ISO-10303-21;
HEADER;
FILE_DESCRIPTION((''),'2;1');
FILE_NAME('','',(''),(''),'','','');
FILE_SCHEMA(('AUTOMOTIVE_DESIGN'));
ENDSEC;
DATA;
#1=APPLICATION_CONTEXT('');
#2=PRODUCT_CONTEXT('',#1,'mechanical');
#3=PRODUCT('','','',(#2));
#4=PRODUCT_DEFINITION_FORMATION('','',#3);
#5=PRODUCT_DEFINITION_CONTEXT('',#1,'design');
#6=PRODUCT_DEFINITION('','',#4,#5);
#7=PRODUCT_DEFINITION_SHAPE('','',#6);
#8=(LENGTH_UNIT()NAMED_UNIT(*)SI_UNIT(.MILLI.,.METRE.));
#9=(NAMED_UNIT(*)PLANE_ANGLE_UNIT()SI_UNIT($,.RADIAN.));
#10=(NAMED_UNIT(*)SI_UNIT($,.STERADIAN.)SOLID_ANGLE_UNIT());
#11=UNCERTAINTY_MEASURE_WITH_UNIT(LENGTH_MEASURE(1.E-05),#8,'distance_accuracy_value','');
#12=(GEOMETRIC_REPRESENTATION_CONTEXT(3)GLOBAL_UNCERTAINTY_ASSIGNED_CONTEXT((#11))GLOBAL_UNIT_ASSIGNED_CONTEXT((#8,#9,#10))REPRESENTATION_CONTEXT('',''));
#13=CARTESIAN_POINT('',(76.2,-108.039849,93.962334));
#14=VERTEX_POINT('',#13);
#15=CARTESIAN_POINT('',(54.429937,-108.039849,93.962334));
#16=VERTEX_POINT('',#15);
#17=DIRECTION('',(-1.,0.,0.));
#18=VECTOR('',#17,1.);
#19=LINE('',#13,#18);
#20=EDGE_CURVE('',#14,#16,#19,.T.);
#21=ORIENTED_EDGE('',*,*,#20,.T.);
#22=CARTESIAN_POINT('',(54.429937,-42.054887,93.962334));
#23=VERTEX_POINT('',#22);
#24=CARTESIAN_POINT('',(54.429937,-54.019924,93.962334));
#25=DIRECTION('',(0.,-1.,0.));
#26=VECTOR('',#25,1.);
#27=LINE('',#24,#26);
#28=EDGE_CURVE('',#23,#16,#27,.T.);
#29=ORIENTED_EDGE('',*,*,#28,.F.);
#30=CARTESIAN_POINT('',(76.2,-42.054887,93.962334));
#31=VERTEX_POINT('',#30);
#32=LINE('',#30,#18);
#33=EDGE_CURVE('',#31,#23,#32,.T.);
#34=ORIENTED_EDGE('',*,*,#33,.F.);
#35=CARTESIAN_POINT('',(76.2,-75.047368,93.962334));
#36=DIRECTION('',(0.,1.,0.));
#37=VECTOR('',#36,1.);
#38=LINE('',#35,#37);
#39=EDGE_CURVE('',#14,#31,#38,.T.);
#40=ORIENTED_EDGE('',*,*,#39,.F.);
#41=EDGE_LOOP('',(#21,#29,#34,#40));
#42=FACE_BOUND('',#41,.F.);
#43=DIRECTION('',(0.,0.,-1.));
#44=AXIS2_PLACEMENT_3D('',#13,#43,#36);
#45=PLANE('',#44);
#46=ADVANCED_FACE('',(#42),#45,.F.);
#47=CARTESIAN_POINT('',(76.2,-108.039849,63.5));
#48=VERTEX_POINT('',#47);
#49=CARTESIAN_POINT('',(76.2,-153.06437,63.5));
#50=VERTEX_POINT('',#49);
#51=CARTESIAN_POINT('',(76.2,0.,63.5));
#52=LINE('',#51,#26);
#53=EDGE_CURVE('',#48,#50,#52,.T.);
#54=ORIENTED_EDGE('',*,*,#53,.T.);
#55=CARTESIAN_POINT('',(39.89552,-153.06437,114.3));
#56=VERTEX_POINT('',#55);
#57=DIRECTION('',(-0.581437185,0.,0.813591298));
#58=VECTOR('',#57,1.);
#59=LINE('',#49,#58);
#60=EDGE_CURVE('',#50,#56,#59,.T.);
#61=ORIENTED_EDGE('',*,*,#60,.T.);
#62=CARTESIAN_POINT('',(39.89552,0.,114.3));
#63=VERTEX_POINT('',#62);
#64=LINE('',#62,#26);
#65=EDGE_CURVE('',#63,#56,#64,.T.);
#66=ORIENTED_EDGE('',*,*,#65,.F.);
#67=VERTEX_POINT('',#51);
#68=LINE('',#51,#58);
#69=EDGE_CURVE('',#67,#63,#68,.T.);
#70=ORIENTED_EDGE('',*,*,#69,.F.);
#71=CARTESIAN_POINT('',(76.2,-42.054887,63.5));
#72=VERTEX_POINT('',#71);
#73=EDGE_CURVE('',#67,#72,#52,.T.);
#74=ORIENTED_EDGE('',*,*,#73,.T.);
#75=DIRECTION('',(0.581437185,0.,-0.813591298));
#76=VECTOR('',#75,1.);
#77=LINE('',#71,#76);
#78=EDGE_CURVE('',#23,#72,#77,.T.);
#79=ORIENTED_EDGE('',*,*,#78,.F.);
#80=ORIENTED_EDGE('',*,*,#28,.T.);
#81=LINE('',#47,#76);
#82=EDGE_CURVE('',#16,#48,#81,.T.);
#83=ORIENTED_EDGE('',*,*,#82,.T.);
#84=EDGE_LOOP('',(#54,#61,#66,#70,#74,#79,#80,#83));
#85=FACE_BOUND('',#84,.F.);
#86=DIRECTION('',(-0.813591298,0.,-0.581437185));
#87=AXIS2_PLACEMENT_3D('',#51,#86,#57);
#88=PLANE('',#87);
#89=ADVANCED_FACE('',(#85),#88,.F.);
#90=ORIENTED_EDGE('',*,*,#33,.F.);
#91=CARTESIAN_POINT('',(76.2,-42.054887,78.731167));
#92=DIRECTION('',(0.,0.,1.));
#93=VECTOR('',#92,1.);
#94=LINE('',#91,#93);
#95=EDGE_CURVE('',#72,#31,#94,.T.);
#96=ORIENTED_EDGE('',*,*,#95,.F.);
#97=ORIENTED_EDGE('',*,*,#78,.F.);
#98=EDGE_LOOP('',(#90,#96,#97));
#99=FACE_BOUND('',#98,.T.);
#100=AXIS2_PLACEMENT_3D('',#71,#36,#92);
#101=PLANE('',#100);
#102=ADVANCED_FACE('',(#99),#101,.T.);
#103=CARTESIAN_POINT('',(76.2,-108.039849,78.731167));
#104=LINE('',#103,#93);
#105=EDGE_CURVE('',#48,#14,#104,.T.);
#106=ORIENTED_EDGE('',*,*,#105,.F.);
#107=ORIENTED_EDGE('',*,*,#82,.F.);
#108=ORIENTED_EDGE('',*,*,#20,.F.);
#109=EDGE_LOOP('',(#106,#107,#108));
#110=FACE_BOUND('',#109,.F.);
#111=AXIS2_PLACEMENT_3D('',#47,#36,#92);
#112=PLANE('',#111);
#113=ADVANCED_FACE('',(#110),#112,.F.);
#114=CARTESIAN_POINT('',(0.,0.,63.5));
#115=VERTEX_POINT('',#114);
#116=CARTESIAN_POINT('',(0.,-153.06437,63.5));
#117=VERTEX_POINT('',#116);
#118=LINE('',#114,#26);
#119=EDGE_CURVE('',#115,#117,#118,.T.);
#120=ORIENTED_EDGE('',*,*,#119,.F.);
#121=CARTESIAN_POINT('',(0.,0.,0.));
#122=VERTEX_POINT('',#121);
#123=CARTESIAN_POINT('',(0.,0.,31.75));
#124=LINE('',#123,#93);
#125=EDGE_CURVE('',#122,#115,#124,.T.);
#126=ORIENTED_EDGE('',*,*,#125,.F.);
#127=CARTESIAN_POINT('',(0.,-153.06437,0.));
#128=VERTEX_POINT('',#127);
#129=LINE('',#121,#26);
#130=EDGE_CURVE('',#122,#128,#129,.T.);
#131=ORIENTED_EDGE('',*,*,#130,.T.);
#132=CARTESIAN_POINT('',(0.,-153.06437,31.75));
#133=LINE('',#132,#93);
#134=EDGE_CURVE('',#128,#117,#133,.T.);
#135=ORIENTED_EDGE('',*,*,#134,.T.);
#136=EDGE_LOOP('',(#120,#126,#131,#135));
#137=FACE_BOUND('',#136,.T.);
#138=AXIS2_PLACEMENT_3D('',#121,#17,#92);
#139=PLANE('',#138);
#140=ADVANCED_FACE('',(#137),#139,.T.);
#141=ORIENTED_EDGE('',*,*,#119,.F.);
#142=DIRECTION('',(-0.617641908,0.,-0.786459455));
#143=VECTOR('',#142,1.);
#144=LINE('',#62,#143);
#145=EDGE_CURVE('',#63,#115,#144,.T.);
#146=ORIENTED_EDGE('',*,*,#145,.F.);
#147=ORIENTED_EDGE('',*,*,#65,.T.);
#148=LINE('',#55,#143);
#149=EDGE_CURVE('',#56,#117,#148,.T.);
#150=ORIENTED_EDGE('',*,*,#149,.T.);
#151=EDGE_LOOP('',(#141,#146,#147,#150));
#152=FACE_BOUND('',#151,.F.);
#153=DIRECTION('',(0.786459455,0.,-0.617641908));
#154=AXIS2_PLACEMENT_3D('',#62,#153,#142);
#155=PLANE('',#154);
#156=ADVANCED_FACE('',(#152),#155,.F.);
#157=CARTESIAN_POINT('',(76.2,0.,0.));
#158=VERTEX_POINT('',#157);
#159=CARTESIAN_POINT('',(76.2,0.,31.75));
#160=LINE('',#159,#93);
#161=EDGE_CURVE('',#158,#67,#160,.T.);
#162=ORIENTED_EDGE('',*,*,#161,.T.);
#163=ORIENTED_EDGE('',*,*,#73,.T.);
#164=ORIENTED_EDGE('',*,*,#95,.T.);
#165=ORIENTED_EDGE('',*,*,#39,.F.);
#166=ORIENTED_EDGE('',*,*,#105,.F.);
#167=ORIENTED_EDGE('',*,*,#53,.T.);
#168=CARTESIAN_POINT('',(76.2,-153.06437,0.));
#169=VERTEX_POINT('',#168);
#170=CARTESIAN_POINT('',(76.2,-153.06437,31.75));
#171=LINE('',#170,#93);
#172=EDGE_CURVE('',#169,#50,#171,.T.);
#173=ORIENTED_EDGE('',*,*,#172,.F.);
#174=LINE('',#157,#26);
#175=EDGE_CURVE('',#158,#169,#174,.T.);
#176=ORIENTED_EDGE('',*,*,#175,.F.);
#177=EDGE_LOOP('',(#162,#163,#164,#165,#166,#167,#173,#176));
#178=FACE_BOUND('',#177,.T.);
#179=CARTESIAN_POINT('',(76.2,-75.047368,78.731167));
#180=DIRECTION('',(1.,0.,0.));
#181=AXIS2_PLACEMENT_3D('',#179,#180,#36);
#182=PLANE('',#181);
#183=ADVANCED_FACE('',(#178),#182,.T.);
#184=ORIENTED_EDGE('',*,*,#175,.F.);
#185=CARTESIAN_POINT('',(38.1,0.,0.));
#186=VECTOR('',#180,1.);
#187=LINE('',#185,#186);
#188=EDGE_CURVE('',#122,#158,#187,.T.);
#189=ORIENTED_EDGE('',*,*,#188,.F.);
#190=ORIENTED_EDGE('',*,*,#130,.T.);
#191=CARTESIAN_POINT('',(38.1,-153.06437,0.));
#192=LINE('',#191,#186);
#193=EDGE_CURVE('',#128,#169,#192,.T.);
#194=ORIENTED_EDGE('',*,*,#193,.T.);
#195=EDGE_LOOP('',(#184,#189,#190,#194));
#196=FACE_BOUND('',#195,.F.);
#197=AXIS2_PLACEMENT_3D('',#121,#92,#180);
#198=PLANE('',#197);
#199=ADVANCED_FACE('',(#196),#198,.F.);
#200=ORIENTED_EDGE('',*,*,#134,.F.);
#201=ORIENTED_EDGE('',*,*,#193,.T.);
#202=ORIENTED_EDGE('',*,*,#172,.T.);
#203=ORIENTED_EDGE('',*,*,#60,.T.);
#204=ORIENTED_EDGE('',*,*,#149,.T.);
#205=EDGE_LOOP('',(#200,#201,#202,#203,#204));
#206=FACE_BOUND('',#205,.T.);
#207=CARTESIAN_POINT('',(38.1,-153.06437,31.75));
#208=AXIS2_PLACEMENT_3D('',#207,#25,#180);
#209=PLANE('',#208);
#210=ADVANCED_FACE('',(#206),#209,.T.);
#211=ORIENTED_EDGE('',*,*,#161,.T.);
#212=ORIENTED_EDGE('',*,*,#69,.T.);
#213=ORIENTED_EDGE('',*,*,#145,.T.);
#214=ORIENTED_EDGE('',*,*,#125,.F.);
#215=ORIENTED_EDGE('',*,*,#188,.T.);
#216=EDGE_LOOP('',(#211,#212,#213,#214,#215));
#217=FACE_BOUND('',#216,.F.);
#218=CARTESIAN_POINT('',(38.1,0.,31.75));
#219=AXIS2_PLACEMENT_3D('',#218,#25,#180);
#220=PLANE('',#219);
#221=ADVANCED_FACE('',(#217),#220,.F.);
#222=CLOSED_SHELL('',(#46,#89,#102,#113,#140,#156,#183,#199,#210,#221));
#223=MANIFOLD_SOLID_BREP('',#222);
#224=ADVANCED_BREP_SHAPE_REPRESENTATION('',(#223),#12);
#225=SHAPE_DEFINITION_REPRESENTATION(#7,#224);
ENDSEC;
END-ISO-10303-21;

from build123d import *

# Parameters (mm, degrees)
F0_W     = 76.2
F0_H     = 63.5
F1_DEPTH = 153.06437
F2_W     = 65.984961
F2_H     = 30.462334
F3_DEPTH = 35.61956


with BuildPart() as f1:
    # F0 (on Front) → F1 (new body)
    with BuildSketch(Plane.XZ):
        with Locations((38.1, 31.75)):
            Rectangle(F0_W, F0_H)
        Polygon((39.89552, 114.3), (0, 63.5), (76.2, 63.5), align=None)
    extrude(amount=F1_DEPTH)

    # F2 (on face) → F3 (join)
    with BuildSketch(Plane.YZ.offset(76.2)):
        with Locations((-75.047368, 78.731167)):
            Rectangle(F2_W, F2_H)
    extrude(amount=-F3_DEPTH)


solid = f1.part
